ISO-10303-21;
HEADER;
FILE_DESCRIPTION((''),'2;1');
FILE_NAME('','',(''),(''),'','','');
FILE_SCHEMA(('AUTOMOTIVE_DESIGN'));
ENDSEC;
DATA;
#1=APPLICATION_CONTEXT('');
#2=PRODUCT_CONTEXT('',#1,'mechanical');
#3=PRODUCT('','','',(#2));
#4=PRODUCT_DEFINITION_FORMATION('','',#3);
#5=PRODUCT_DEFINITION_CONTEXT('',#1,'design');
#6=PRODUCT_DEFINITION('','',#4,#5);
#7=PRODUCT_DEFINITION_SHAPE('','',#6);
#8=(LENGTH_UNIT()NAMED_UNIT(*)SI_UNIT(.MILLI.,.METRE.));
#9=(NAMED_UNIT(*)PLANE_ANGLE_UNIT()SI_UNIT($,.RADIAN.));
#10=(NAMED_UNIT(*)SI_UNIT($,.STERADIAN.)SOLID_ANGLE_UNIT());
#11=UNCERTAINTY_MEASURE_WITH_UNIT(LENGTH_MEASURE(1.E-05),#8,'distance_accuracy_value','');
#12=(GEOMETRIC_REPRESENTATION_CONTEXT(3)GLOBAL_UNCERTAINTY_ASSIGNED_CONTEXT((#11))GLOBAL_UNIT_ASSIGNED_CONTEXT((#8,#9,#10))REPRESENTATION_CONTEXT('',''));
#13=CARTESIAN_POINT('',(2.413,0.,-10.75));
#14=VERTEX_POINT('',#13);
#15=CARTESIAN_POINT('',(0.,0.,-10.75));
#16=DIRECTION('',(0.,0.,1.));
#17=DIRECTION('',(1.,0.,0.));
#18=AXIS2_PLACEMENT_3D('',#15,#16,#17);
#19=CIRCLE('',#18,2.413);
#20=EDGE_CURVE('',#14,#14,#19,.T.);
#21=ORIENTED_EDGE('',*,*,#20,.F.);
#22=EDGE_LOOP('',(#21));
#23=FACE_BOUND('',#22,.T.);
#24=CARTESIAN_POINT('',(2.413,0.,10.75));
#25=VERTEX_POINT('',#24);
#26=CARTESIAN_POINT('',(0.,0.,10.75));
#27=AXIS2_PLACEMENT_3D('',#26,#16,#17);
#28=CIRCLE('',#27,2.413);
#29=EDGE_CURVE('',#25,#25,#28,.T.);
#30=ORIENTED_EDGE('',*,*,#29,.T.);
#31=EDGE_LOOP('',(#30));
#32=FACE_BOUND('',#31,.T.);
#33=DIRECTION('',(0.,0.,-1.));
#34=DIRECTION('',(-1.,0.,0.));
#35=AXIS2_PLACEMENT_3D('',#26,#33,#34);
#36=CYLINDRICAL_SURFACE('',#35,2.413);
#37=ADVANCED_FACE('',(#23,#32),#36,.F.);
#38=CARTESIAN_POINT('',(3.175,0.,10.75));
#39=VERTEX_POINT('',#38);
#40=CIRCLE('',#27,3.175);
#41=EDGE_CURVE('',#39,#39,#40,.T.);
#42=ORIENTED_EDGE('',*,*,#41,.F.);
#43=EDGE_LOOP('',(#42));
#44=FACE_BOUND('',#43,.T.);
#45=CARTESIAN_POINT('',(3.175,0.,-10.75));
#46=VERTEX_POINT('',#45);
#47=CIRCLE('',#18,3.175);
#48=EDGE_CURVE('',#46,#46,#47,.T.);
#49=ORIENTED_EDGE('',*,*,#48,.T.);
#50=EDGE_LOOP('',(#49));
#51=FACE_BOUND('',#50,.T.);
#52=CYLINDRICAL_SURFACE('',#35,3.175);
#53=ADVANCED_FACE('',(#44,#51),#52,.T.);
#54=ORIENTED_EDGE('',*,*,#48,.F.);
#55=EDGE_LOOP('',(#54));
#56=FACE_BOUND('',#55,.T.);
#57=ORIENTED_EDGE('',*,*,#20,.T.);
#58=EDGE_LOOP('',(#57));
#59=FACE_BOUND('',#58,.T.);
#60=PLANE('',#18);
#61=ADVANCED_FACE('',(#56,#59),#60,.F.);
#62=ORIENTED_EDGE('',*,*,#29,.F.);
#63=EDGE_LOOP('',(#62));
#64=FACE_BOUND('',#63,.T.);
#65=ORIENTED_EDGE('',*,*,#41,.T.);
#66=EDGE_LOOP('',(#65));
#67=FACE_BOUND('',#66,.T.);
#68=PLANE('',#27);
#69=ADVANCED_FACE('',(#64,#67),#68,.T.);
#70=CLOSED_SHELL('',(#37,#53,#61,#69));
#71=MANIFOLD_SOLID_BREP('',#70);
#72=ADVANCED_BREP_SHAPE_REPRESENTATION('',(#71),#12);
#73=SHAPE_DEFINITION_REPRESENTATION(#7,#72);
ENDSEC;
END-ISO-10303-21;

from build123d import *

# Parameters (mm, degrees)
SKETCH1_R           = 3.175
SKETCH1_R_2         = 2.413
BOSS_EXTRUDE1_DEPTH = 10.75


with BuildPart() as part:
    # Sketch1 → Boss-Extrude1 (new body, symmetric)
    with BuildSketch(Plane.XY):
        Circle(SKETCH1_R)
        Circle(SKETCH1_R_2, mode=Mode.SUBTRACT)
    extrude(amount=BOSS_EXTRUDE1_DEPTH, both=True)


solid = part.part
